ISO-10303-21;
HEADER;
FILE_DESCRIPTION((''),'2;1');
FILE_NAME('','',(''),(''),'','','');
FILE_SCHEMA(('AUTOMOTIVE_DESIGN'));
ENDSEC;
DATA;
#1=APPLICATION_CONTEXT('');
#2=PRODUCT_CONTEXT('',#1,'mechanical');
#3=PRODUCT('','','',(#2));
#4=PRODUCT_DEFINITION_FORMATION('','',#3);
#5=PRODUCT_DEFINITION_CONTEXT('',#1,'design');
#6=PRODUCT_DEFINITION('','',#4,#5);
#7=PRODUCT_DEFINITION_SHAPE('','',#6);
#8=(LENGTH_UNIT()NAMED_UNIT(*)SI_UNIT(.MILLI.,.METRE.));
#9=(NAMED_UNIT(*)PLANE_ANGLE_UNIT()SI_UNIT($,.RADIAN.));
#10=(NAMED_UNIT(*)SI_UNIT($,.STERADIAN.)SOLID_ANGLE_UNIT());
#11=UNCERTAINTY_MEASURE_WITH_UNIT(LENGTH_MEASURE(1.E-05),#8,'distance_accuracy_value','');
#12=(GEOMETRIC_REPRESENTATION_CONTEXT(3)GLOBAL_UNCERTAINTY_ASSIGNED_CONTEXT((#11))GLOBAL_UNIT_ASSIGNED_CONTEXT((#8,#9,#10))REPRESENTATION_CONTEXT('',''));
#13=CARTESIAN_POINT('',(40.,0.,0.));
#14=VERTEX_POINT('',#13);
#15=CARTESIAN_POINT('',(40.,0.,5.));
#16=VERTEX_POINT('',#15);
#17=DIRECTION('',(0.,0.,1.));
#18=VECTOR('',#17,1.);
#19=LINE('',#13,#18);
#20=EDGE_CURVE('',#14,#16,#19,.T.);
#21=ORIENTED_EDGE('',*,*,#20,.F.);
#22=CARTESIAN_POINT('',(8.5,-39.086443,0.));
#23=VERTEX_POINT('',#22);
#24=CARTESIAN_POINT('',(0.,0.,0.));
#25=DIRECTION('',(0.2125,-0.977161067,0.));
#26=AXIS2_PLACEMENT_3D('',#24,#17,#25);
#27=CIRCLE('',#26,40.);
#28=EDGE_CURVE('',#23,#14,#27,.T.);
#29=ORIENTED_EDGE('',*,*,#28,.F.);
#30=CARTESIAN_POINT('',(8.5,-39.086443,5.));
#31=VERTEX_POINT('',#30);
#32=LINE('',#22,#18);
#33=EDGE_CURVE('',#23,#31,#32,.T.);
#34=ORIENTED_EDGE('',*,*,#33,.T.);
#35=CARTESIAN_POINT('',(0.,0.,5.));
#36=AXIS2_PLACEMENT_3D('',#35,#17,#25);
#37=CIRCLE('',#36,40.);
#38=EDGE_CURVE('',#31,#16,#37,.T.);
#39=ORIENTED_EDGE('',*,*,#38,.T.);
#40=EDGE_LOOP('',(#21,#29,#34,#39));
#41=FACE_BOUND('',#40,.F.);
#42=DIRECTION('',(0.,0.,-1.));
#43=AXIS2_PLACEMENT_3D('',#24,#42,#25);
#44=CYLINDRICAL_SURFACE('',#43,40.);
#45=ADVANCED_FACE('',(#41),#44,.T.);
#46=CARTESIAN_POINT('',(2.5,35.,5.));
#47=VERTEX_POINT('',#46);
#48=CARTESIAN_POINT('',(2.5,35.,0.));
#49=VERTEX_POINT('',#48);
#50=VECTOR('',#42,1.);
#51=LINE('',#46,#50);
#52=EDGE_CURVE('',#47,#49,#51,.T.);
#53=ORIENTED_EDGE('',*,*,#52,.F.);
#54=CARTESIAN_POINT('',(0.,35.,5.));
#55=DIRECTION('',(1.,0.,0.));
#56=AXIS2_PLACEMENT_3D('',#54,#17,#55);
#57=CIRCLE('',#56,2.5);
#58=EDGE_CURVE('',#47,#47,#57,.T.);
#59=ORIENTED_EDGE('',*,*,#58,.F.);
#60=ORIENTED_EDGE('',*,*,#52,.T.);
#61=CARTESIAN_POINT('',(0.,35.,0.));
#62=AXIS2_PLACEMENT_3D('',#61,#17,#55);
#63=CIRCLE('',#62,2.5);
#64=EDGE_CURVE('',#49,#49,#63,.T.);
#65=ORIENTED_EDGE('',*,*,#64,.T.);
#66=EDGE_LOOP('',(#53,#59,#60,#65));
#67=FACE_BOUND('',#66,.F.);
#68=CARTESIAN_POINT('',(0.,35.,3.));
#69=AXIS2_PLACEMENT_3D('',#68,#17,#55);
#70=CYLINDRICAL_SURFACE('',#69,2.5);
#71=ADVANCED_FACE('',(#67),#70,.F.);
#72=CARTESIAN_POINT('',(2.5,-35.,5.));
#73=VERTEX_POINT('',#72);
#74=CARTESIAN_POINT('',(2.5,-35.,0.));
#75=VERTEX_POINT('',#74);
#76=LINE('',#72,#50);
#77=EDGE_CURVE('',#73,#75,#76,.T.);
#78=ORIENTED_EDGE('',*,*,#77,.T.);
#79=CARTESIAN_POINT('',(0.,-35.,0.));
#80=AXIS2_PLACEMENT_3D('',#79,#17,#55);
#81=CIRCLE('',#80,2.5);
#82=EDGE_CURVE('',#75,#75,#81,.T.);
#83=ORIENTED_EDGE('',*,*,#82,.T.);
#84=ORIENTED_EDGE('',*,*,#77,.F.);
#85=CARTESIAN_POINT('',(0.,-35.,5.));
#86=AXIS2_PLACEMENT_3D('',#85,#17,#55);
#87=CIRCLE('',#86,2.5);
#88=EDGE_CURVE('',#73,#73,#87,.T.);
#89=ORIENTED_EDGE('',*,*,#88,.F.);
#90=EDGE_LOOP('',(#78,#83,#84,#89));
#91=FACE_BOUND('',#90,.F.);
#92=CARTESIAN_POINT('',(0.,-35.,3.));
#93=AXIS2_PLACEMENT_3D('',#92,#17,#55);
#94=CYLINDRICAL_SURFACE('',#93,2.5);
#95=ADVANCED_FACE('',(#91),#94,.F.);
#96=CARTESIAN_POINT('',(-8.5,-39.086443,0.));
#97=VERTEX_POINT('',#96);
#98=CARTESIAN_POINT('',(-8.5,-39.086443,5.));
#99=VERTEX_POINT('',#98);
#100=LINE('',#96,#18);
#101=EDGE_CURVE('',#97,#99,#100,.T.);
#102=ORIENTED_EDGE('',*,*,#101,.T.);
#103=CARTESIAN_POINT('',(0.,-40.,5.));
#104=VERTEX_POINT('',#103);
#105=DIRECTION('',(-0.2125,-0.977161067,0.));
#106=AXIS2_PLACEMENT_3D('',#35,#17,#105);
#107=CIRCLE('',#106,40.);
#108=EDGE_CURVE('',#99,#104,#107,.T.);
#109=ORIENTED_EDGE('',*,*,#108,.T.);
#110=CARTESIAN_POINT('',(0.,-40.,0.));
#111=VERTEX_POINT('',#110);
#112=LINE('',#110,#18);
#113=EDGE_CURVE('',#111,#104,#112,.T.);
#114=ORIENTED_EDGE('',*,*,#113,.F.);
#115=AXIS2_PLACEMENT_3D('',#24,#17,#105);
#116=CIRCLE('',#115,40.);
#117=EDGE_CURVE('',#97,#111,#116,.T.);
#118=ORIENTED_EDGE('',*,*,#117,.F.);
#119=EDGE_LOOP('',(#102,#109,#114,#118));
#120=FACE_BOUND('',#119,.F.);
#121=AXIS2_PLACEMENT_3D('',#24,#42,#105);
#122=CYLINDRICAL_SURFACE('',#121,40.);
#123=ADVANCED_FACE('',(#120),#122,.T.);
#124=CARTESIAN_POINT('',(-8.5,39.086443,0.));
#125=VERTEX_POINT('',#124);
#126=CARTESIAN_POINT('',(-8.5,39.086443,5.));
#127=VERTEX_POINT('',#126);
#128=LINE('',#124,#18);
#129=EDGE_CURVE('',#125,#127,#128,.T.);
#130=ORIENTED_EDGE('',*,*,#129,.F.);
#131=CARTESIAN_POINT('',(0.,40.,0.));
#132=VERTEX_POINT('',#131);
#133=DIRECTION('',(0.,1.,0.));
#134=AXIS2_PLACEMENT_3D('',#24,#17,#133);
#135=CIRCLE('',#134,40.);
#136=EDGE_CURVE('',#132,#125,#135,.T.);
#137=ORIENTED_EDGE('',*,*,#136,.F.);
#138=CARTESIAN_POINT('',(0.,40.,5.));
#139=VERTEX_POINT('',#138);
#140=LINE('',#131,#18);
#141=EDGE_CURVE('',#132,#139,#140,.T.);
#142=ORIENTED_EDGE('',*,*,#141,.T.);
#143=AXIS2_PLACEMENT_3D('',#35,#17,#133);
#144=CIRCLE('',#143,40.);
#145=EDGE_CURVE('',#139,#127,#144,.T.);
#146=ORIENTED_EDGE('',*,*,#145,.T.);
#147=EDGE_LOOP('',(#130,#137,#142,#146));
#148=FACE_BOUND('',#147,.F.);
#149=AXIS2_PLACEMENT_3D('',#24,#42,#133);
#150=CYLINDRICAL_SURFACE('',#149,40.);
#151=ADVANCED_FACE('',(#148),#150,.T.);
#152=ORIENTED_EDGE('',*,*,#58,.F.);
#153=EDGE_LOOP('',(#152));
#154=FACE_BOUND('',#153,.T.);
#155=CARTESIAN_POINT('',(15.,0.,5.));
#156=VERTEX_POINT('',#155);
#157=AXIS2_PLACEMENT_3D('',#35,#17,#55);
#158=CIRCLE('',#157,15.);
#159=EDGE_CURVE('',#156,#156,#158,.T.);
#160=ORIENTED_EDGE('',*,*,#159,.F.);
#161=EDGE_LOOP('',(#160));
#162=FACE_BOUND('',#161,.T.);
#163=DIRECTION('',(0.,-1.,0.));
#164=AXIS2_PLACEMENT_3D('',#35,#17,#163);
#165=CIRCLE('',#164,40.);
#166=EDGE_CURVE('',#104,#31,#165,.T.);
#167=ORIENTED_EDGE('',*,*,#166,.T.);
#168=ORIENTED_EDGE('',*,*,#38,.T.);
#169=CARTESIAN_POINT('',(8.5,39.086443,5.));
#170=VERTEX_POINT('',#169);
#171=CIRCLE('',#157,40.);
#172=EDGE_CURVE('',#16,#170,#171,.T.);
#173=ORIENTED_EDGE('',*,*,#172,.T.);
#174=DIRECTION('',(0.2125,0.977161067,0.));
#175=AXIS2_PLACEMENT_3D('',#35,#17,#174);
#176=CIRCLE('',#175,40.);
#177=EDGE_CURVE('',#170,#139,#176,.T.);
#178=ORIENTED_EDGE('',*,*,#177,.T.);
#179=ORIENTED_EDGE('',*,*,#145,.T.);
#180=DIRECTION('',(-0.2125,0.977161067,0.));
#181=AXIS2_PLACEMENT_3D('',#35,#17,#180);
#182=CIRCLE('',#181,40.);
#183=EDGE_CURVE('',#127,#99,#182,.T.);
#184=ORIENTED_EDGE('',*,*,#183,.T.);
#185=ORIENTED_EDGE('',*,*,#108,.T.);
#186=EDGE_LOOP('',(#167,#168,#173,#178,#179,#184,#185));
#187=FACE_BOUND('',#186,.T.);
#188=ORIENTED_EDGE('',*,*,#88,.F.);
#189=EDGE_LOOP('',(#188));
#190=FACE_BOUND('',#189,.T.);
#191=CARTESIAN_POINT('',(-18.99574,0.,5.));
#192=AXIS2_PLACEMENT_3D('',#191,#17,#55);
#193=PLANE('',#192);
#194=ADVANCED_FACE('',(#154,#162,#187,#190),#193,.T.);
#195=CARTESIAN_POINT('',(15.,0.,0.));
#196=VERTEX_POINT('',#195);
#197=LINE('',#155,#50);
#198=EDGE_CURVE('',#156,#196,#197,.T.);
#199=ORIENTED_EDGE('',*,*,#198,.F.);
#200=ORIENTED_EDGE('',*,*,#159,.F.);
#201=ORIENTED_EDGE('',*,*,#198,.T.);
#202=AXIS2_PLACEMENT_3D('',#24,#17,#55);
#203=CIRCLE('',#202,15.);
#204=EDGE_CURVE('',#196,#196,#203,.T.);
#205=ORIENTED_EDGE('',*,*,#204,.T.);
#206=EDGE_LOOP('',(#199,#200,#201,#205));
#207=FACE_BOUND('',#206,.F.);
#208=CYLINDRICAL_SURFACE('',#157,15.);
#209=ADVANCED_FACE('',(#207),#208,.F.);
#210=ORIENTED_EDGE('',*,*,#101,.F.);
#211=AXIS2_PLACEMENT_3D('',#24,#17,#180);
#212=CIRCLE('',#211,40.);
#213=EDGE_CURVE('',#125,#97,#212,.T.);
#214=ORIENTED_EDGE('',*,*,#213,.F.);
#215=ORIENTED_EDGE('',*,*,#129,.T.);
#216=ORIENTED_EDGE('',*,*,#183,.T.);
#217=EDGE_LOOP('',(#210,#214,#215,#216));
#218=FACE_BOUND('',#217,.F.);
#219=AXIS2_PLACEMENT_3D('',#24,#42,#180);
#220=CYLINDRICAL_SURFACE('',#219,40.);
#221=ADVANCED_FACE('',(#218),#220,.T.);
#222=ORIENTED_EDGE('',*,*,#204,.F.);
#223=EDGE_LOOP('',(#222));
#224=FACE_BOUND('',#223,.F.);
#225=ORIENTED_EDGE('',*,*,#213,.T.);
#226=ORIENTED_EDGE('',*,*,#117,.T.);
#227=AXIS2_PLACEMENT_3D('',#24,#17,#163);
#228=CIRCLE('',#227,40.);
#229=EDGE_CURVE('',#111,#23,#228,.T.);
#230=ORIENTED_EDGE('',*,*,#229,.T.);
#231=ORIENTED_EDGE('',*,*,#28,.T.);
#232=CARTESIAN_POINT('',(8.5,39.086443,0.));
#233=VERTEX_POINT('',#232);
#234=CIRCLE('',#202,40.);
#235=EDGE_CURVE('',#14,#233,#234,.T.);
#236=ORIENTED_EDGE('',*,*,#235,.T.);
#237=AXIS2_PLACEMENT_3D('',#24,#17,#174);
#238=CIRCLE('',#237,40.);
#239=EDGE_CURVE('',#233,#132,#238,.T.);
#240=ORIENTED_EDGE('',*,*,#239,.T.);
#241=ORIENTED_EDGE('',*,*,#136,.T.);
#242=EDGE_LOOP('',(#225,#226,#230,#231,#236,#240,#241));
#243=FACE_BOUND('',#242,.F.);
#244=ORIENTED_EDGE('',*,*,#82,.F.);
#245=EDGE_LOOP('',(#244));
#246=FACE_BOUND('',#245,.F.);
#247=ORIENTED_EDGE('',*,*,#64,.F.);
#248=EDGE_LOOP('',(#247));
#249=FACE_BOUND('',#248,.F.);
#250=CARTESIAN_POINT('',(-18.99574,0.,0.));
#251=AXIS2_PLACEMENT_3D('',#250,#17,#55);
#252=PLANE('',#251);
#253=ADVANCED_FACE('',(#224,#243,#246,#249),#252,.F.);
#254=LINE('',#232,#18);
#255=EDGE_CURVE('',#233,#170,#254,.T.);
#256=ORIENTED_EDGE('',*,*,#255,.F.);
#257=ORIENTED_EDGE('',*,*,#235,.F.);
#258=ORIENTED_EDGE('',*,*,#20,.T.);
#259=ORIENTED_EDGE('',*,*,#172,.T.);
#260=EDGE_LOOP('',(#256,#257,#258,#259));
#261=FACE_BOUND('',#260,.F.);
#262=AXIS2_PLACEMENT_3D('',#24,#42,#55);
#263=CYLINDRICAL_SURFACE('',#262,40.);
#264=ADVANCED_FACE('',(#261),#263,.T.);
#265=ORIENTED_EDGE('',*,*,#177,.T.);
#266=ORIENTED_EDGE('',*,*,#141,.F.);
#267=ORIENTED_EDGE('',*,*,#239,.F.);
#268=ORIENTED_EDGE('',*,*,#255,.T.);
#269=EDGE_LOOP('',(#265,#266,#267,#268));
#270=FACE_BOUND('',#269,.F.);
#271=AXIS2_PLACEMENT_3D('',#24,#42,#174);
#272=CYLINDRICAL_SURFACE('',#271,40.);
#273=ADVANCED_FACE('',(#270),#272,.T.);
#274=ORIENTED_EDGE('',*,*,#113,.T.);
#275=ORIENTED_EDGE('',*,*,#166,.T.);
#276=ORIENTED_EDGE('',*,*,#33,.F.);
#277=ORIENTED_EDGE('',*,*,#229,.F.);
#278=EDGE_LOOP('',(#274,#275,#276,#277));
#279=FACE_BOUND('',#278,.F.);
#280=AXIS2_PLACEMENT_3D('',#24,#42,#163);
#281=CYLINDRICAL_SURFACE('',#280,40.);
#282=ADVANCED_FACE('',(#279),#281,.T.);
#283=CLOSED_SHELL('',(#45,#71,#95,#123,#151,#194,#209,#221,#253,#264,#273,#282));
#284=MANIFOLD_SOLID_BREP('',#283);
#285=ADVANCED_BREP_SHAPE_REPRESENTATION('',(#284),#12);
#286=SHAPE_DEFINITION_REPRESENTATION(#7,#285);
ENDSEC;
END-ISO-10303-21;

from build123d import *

# Parameters (mm, degrees)
F1_DEPTH = 5
F2_R     = 2.5
F2_R_2   = 1.5
F3_DEPTH = 2
F4_R     = 15
F5_DEPTH = 25
F6_DEPTH = 25


with BuildPart() as f1:
    # F0 (on Top) → F1 (new body)
    with BuildSketch(Plane.XY):
        with BuildLine():
            Line((-8.5, 0), (-8.5, 39.0864426624))
            ThreePointArc((-8.5, 39.0864426624), (-40, 0), (-8.5, -39.0864426624))
            Line((-8.5, -39.0864426624), (-8.5, 0))
        make_face()
        with BuildLine():
            ThreePointArc((0, -40), (4.2744761962, -39.7709548948), (8.5, -39.0864426624))
            Line((8.5, -39.0864426624), (8.5, 0))
            Line((8.5, 0), (0, 0))
            Line((0, 0), (-8.5, 0))
            Line((-8.5, 0), (-8.5, -39.0864426624))
            ThreePointArc((-8.5, -39.0864426624), (-4.2744761962, -39.7709548948), (0, -40))
        make_face()
        with BuildLine():
            ThreePointArc((2.5, -35), (1.767766953, -36.767766953), (0, -37.5))
            ThreePointArc((0, -37.5), (-1.767766953, -33.232233047), (2.5, -35))
        make_face(mode=Mode.SUBTRACT)
        with BuildLine():
            Line((8.5, 0), (8.5, 39.0864426624))
            ThreePointArc((8.5, 39.0864426624), (4.2744761962, 39.7709548948), (0, 40))
            ThreePointArc((0, 40), (-4.2744761962, 39.7709548948), (-8.5, 39.0864426624))
            Line((-8.5, 39.0864426624), (-8.5, 0))
            Line((-8.5, 0), (0, 0))
            Line((0, 0), (8.5, 0))
        make_face()
        with BuildLine():
            ThreePointArc((2.5, 35), (-1.767766953, 33.232233047), (0, 37.5))
            ThreePointArc((0, 37.5), (1.767766953, 36.767766953), (2.5, 35))
        make_face(mode=Mode.SUBTRACT)
        with BuildLine():
            ThreePointArc((8.5, -39.0864426624), (31.1448230048, -25.099800796), (40, 0))
            ThreePointArc((40, 0), (31.1448230048, 25.099800796), (8.5, 39.0864426624))
            Line((8.5, 39.0864426624), (8.5, 0))
            Line((8.5, 0), (8.5, -39.0864426624))
        make_face()
        with BuildLine():
            ThreePointArc((2.5, 35), (1.767766953, 36.767766953), (0, 37.5))
            ThreePointArc((0, 37.5), (-1.767766953, 33.232233047), (2.5, 35))
        make_face()
        with BuildLine():
            ThreePointArc((1.5, 35), (-1.0606601718, 33.9393398282), (0, 36.5))
            ThreePointArc((0, 36.5), (1.0606601718, 36.0606601718), (1.5, 35))
        make_face(mode=Mode.SUBTRACT)
        with BuildLine():
            ThreePointArc((2.5, -35), (-1.767766953, -33.232233047), (0, -37.5))
            ThreePointArc((0, -37.5), (1.767766953, -36.767766953), (2.5, -35))
        make_face()
        with BuildLine():
            ThreePointArc((1.5, -35), (1.0606601718, -36.0606601718), (0, -36.5))
            ThreePointArc((0, -36.5), (-1.0606601718, -33.9393398282), (1.5, -35))
        make_face(mode=Mode.SUBTRACT)
    extrude(amount=F1_DEPTH)

    # F2 (on face) → F3 (cut)
    with BuildSketch(Plane.XY.offset(5)):
        with Locations((0, 35)):
            Circle(F2_R)
        with Locations((0, 35)):
            Circle(F2_R_2, mode=Mode.SUBTRACT)
        with Locations((0, -35)):
            Circle(F2_R)
        with Locations((0, -35)):
            Circle(F2_R_2, mode=Mode.SUBTRACT)
    extrude(amount=-F3_DEPTH, mode=Mode.SUBTRACT)

    # F4 (on face) → F5 (cut)
    with BuildSketch(Plane.XY.offset(5)):
        Circle(F4_R)
    extrude(amount=-F5_DEPTH, mode=Mode.SUBTRACT)

    # F6 (cut): faces of the model
    f6_faces = [f1.faces().sort_by_distance(p)[0] for p in [
        (-2.4292893219, 35, 3),
        (-2.4292893219, -35, 3),
    ]]
    extrude(f6_faces, amount=-F6_DEPTH, mode=Mode.SUBTRACT)


solid = f1.part
